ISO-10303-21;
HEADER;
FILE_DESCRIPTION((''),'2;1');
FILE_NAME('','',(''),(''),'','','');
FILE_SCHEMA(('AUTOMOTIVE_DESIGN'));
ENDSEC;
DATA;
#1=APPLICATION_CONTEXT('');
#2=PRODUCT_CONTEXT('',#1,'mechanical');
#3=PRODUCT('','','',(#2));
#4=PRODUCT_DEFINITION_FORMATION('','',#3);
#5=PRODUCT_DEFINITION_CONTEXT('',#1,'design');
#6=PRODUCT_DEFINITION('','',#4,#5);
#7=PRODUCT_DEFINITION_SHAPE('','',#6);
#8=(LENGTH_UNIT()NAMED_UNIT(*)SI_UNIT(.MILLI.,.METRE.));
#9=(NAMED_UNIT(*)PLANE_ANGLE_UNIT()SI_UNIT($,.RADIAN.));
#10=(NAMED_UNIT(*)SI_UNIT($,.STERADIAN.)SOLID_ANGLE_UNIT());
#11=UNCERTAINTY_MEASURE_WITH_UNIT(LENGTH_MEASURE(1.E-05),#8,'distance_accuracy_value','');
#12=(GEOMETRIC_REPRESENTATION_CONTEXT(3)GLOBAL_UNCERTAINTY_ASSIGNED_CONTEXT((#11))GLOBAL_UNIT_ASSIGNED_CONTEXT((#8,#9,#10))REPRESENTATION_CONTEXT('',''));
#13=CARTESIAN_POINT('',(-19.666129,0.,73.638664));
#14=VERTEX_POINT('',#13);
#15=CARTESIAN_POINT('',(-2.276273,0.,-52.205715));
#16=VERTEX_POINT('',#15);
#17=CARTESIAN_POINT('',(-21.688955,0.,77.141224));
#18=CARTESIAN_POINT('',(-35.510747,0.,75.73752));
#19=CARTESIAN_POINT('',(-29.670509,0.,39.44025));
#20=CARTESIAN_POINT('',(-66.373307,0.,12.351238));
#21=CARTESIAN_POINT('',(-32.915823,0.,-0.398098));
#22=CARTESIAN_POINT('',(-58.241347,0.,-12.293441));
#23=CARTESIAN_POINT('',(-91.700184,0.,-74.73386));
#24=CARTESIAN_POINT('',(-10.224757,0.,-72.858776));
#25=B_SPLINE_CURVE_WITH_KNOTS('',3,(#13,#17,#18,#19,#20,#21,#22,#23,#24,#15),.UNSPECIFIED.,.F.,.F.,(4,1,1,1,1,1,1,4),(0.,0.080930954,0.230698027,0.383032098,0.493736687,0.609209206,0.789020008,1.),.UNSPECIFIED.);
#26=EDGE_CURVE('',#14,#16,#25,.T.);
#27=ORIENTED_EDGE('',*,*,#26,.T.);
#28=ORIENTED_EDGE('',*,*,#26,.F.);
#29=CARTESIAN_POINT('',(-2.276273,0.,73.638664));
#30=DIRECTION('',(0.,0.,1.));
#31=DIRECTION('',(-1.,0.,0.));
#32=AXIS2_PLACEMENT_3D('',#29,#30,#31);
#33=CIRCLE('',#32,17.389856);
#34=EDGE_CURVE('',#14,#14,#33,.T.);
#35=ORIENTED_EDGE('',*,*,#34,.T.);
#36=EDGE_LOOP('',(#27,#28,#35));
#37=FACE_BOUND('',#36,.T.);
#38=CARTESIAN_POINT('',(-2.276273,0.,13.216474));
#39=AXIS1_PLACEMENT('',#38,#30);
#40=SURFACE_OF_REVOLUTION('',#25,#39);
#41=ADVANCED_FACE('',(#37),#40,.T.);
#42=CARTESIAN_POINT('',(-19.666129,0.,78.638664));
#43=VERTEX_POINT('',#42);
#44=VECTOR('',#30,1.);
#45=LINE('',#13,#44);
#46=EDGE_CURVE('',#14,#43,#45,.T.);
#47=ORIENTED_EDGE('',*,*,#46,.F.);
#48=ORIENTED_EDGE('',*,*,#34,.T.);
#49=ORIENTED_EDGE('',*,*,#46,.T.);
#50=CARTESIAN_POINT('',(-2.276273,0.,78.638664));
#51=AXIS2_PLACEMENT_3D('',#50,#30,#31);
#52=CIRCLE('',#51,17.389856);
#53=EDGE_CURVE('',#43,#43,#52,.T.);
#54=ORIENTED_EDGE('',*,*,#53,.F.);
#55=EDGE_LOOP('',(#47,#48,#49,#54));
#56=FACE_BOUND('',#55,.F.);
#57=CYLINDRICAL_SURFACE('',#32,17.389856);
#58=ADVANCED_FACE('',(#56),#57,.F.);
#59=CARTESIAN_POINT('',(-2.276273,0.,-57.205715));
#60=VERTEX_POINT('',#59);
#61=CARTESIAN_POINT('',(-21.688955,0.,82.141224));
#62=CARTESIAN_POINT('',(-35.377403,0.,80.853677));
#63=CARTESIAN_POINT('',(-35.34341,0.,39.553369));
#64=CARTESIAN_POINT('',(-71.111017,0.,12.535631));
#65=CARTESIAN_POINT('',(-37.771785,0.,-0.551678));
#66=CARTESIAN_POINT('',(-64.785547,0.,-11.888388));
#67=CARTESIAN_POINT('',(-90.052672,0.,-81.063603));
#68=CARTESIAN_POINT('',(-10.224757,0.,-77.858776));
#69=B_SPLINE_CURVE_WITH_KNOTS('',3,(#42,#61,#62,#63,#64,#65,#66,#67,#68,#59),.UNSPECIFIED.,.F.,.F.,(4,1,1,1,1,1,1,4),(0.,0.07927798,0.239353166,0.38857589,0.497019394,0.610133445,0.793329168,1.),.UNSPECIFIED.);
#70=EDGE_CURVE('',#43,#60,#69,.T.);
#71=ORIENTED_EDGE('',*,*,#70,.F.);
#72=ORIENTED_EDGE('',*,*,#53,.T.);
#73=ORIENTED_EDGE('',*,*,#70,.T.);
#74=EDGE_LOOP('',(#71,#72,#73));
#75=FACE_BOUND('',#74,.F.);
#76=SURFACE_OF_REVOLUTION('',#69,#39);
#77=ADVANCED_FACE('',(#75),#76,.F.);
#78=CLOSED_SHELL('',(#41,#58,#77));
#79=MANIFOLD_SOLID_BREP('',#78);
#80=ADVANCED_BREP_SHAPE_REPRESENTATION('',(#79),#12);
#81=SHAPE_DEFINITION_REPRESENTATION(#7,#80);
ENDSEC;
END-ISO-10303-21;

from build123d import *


with BuildPart() as f1:
    # F0 (on Front) → F1 (revolve)
    with BuildSketch(Plane.XZ):
        with BuildLine():
            Line((-19.666129391, 73.6386635641), (-19.666129391, 78.6386635641))
            add(Edge.make_bspline(
                [(-19.666129391, 78.6386635641), (-21.6889546028, 82.1412236481), (-35.3774026201, 80.8536774228), (-35.3434098754, 39.5533690165), (-71.1110173838, 12.5356314513), (-37.7717847337, -0.5516783555), (-64.7855467303, -11.8883883744), (-90.0526721737, -81.0636033312), (-10.2247570243, -77.8587763519), (-2.2762732298, -57.2057151283)],
                knots=[0, 0, 0, 0, 0.0792779805, 0.2393531663, 0.3885758896, 0.4970193936, 0.6101334448, 0.7933291679, 1, 1, 1, 1], degree=3))
            Line((-2.2762732298, -57.2057151283), (-2.2762732298, -52.2057151283))
            add(Edge.make_bspline(
                [(-19.666129391, 73.6386635641), (-21.6889546028, 77.1412236481), (-35.5107472512, 75.7375198778), (-29.6705091758, 39.4402501378), (-66.3733070619, 12.3512376598), (-32.9158233171, -0.3980978411), (-58.2413466576, -12.2934410896), (-91.7001840858, -74.7338599658), (-10.2247570243, -72.8587763519), (-2.2762732298, -52.2057151283)],
                knots=[0, 0, 0, 0, 0.0809309545, 0.2306980274, 0.3830320975, 0.493736687, 0.6092092064, 0.7890200077, 1, 1, 1, 1], degree=3))
        make_face()
    revolve(axis=Axis((-2.2762732298, 0, 13.2164742179), (0, 0, 1)))


solid = f1.part
